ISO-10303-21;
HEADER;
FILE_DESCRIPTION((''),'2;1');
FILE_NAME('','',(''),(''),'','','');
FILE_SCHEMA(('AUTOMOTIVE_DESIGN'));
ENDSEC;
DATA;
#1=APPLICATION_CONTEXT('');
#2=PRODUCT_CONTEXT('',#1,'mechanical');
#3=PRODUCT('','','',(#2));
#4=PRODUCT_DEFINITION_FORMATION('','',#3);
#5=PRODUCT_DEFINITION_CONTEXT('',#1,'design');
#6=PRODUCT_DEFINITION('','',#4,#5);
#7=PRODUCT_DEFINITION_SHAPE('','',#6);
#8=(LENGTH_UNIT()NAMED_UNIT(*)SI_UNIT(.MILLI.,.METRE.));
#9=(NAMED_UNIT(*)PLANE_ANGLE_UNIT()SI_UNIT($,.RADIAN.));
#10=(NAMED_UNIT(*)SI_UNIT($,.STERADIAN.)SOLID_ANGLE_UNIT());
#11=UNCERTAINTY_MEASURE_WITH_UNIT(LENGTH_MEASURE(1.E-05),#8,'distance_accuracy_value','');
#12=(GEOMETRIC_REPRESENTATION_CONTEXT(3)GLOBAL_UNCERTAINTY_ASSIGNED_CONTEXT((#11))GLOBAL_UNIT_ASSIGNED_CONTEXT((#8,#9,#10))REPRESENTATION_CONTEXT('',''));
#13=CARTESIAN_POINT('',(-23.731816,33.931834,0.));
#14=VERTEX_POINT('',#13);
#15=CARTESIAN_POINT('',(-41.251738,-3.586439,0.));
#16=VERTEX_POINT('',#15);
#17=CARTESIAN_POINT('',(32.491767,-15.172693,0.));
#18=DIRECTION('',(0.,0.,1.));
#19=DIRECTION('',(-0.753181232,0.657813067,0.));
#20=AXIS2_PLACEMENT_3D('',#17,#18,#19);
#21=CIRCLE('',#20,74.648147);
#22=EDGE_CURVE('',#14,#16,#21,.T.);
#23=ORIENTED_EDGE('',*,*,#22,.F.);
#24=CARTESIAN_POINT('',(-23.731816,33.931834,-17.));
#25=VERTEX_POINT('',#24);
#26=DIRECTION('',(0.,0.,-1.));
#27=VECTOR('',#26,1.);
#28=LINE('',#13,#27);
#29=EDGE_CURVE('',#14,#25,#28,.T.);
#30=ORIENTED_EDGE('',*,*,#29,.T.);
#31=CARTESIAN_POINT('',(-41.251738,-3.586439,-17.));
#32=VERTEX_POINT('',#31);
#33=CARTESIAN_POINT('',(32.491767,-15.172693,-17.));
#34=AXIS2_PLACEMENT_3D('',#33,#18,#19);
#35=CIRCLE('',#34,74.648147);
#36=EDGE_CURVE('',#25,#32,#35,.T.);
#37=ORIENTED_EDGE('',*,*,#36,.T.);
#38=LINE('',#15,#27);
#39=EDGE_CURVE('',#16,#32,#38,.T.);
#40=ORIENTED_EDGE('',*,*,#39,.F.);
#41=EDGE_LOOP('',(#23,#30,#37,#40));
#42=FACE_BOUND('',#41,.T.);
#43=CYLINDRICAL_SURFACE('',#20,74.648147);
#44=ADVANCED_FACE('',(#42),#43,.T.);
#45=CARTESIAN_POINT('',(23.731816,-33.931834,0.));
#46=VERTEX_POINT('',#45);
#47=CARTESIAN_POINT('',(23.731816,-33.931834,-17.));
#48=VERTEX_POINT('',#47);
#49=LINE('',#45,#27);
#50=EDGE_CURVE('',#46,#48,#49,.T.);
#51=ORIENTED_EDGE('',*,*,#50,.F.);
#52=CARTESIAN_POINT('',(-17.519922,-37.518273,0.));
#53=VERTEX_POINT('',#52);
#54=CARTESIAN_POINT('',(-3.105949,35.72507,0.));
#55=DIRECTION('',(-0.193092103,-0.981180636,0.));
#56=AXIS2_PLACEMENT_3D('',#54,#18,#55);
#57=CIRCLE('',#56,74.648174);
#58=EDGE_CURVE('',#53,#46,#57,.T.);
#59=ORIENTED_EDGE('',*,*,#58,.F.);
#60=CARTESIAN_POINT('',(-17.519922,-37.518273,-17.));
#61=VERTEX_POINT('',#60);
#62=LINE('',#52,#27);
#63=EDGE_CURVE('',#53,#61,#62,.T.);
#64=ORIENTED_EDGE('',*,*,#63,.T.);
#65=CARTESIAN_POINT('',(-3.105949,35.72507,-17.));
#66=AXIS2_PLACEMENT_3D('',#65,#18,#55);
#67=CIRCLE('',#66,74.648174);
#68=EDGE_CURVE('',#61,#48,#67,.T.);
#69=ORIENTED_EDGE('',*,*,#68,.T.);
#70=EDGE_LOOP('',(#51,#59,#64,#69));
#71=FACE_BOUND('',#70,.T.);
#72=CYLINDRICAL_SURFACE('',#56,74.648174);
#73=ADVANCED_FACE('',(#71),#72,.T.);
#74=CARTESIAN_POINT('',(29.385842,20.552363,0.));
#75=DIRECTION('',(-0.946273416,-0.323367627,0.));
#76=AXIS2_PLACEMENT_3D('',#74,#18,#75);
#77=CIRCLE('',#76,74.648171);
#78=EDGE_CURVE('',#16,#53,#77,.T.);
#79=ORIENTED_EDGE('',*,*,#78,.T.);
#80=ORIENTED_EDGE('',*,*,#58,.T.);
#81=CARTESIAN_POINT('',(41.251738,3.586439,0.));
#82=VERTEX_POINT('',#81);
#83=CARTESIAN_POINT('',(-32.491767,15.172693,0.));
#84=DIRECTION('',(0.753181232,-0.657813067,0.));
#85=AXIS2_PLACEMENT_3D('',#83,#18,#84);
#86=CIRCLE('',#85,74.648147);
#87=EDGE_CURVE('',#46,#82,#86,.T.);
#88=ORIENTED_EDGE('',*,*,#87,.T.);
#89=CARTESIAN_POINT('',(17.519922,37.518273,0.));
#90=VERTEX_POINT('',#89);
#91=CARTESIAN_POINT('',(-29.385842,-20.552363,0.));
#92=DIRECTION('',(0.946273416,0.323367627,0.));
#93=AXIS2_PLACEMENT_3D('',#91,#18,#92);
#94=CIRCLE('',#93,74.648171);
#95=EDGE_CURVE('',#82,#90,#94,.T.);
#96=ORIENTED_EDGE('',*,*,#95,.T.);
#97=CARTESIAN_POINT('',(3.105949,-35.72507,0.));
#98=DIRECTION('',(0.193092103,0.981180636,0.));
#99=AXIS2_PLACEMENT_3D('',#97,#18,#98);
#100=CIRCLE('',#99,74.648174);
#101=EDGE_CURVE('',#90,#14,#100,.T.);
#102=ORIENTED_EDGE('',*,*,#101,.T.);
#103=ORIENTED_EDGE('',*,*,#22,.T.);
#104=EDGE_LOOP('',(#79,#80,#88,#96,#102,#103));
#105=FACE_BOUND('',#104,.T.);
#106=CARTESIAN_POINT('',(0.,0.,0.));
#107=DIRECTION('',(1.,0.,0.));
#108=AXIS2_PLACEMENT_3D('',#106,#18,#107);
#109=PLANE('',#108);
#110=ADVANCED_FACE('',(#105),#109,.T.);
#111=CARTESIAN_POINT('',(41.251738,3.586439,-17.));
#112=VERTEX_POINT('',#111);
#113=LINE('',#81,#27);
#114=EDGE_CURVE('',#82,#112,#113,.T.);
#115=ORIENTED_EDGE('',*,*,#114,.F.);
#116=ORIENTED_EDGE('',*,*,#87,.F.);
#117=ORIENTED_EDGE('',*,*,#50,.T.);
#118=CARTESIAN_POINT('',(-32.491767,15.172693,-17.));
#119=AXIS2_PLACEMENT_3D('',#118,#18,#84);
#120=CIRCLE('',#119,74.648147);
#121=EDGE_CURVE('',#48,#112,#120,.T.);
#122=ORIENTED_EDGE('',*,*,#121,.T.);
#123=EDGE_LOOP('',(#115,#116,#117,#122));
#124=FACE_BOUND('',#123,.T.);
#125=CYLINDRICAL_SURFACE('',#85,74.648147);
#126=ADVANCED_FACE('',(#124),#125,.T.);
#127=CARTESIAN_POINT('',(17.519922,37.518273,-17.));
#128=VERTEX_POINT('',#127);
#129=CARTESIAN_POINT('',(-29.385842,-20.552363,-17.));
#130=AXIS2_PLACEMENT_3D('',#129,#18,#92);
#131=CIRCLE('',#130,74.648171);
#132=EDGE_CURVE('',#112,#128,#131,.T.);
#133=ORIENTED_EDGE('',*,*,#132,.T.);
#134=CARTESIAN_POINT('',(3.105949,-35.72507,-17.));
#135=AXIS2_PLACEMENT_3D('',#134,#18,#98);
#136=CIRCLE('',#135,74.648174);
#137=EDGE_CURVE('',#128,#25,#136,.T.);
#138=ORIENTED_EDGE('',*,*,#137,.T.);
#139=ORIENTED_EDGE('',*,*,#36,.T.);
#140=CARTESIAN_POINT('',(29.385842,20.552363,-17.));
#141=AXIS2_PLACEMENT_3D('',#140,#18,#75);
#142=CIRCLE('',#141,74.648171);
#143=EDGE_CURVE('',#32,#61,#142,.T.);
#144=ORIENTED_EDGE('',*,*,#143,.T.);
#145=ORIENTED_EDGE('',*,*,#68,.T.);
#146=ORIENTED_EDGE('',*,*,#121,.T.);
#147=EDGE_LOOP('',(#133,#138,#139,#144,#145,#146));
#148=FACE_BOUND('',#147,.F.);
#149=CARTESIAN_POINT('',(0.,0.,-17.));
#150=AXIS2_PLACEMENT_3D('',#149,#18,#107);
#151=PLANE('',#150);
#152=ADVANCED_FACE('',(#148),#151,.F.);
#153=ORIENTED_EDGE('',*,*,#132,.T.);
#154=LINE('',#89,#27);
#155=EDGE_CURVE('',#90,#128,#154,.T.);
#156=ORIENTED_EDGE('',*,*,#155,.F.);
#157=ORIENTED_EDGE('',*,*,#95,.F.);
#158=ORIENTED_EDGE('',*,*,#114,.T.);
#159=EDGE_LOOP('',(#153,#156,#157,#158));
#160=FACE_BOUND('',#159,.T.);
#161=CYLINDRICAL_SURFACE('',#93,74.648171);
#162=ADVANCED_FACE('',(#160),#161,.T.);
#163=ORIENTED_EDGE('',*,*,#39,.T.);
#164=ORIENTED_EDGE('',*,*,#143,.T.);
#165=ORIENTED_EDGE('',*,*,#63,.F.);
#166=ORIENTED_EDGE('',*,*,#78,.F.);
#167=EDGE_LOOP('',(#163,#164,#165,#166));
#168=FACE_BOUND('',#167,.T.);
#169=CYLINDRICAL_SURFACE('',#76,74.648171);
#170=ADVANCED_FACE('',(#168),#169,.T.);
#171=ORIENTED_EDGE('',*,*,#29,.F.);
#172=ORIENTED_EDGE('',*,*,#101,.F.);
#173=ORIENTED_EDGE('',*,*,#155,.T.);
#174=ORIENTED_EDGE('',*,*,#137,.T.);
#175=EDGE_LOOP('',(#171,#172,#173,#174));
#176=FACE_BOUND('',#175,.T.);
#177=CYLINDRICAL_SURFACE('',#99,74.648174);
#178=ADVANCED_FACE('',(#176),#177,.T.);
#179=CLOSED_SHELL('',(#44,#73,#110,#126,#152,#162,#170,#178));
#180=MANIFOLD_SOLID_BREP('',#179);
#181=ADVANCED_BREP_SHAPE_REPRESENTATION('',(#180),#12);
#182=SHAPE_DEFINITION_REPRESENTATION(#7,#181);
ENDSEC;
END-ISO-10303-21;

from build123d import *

# Parameters (mm, degrees)
F1_DEPTH = 17


with BuildPart() as f1:
    # F0 (on Top) → F1 (new body)
    with BuildSketch(Plane.XY):
        with BuildLine():
            ThreePointArc((-17.519922, -37.518273), (3.359597, -38.642575), (23.731816, -33.931834))
            ThreePointArc((23.731816, -33.931834), (35.145251, -16.411791), (41.251738, 3.586439))
            ThreePointArc((41.251738, 3.586439), (31.785653, 22.230784), (17.519922, 37.518273))
            ThreePointArc((17.519922, 37.518273), (-3.359597, 38.642575), (-23.731816, 33.931834))
            ThreePointArc((-23.731816, 33.931834), (-35.145251, 16.411791), (-41.251738, -3.586439))
            ThreePointArc((-41.251738, -3.586439), (-31.785653, -22.230784), (-17.519922, -37.518273))
        make_face()
    extrude(amount=-F1_DEPTH)


solid = f1.part
